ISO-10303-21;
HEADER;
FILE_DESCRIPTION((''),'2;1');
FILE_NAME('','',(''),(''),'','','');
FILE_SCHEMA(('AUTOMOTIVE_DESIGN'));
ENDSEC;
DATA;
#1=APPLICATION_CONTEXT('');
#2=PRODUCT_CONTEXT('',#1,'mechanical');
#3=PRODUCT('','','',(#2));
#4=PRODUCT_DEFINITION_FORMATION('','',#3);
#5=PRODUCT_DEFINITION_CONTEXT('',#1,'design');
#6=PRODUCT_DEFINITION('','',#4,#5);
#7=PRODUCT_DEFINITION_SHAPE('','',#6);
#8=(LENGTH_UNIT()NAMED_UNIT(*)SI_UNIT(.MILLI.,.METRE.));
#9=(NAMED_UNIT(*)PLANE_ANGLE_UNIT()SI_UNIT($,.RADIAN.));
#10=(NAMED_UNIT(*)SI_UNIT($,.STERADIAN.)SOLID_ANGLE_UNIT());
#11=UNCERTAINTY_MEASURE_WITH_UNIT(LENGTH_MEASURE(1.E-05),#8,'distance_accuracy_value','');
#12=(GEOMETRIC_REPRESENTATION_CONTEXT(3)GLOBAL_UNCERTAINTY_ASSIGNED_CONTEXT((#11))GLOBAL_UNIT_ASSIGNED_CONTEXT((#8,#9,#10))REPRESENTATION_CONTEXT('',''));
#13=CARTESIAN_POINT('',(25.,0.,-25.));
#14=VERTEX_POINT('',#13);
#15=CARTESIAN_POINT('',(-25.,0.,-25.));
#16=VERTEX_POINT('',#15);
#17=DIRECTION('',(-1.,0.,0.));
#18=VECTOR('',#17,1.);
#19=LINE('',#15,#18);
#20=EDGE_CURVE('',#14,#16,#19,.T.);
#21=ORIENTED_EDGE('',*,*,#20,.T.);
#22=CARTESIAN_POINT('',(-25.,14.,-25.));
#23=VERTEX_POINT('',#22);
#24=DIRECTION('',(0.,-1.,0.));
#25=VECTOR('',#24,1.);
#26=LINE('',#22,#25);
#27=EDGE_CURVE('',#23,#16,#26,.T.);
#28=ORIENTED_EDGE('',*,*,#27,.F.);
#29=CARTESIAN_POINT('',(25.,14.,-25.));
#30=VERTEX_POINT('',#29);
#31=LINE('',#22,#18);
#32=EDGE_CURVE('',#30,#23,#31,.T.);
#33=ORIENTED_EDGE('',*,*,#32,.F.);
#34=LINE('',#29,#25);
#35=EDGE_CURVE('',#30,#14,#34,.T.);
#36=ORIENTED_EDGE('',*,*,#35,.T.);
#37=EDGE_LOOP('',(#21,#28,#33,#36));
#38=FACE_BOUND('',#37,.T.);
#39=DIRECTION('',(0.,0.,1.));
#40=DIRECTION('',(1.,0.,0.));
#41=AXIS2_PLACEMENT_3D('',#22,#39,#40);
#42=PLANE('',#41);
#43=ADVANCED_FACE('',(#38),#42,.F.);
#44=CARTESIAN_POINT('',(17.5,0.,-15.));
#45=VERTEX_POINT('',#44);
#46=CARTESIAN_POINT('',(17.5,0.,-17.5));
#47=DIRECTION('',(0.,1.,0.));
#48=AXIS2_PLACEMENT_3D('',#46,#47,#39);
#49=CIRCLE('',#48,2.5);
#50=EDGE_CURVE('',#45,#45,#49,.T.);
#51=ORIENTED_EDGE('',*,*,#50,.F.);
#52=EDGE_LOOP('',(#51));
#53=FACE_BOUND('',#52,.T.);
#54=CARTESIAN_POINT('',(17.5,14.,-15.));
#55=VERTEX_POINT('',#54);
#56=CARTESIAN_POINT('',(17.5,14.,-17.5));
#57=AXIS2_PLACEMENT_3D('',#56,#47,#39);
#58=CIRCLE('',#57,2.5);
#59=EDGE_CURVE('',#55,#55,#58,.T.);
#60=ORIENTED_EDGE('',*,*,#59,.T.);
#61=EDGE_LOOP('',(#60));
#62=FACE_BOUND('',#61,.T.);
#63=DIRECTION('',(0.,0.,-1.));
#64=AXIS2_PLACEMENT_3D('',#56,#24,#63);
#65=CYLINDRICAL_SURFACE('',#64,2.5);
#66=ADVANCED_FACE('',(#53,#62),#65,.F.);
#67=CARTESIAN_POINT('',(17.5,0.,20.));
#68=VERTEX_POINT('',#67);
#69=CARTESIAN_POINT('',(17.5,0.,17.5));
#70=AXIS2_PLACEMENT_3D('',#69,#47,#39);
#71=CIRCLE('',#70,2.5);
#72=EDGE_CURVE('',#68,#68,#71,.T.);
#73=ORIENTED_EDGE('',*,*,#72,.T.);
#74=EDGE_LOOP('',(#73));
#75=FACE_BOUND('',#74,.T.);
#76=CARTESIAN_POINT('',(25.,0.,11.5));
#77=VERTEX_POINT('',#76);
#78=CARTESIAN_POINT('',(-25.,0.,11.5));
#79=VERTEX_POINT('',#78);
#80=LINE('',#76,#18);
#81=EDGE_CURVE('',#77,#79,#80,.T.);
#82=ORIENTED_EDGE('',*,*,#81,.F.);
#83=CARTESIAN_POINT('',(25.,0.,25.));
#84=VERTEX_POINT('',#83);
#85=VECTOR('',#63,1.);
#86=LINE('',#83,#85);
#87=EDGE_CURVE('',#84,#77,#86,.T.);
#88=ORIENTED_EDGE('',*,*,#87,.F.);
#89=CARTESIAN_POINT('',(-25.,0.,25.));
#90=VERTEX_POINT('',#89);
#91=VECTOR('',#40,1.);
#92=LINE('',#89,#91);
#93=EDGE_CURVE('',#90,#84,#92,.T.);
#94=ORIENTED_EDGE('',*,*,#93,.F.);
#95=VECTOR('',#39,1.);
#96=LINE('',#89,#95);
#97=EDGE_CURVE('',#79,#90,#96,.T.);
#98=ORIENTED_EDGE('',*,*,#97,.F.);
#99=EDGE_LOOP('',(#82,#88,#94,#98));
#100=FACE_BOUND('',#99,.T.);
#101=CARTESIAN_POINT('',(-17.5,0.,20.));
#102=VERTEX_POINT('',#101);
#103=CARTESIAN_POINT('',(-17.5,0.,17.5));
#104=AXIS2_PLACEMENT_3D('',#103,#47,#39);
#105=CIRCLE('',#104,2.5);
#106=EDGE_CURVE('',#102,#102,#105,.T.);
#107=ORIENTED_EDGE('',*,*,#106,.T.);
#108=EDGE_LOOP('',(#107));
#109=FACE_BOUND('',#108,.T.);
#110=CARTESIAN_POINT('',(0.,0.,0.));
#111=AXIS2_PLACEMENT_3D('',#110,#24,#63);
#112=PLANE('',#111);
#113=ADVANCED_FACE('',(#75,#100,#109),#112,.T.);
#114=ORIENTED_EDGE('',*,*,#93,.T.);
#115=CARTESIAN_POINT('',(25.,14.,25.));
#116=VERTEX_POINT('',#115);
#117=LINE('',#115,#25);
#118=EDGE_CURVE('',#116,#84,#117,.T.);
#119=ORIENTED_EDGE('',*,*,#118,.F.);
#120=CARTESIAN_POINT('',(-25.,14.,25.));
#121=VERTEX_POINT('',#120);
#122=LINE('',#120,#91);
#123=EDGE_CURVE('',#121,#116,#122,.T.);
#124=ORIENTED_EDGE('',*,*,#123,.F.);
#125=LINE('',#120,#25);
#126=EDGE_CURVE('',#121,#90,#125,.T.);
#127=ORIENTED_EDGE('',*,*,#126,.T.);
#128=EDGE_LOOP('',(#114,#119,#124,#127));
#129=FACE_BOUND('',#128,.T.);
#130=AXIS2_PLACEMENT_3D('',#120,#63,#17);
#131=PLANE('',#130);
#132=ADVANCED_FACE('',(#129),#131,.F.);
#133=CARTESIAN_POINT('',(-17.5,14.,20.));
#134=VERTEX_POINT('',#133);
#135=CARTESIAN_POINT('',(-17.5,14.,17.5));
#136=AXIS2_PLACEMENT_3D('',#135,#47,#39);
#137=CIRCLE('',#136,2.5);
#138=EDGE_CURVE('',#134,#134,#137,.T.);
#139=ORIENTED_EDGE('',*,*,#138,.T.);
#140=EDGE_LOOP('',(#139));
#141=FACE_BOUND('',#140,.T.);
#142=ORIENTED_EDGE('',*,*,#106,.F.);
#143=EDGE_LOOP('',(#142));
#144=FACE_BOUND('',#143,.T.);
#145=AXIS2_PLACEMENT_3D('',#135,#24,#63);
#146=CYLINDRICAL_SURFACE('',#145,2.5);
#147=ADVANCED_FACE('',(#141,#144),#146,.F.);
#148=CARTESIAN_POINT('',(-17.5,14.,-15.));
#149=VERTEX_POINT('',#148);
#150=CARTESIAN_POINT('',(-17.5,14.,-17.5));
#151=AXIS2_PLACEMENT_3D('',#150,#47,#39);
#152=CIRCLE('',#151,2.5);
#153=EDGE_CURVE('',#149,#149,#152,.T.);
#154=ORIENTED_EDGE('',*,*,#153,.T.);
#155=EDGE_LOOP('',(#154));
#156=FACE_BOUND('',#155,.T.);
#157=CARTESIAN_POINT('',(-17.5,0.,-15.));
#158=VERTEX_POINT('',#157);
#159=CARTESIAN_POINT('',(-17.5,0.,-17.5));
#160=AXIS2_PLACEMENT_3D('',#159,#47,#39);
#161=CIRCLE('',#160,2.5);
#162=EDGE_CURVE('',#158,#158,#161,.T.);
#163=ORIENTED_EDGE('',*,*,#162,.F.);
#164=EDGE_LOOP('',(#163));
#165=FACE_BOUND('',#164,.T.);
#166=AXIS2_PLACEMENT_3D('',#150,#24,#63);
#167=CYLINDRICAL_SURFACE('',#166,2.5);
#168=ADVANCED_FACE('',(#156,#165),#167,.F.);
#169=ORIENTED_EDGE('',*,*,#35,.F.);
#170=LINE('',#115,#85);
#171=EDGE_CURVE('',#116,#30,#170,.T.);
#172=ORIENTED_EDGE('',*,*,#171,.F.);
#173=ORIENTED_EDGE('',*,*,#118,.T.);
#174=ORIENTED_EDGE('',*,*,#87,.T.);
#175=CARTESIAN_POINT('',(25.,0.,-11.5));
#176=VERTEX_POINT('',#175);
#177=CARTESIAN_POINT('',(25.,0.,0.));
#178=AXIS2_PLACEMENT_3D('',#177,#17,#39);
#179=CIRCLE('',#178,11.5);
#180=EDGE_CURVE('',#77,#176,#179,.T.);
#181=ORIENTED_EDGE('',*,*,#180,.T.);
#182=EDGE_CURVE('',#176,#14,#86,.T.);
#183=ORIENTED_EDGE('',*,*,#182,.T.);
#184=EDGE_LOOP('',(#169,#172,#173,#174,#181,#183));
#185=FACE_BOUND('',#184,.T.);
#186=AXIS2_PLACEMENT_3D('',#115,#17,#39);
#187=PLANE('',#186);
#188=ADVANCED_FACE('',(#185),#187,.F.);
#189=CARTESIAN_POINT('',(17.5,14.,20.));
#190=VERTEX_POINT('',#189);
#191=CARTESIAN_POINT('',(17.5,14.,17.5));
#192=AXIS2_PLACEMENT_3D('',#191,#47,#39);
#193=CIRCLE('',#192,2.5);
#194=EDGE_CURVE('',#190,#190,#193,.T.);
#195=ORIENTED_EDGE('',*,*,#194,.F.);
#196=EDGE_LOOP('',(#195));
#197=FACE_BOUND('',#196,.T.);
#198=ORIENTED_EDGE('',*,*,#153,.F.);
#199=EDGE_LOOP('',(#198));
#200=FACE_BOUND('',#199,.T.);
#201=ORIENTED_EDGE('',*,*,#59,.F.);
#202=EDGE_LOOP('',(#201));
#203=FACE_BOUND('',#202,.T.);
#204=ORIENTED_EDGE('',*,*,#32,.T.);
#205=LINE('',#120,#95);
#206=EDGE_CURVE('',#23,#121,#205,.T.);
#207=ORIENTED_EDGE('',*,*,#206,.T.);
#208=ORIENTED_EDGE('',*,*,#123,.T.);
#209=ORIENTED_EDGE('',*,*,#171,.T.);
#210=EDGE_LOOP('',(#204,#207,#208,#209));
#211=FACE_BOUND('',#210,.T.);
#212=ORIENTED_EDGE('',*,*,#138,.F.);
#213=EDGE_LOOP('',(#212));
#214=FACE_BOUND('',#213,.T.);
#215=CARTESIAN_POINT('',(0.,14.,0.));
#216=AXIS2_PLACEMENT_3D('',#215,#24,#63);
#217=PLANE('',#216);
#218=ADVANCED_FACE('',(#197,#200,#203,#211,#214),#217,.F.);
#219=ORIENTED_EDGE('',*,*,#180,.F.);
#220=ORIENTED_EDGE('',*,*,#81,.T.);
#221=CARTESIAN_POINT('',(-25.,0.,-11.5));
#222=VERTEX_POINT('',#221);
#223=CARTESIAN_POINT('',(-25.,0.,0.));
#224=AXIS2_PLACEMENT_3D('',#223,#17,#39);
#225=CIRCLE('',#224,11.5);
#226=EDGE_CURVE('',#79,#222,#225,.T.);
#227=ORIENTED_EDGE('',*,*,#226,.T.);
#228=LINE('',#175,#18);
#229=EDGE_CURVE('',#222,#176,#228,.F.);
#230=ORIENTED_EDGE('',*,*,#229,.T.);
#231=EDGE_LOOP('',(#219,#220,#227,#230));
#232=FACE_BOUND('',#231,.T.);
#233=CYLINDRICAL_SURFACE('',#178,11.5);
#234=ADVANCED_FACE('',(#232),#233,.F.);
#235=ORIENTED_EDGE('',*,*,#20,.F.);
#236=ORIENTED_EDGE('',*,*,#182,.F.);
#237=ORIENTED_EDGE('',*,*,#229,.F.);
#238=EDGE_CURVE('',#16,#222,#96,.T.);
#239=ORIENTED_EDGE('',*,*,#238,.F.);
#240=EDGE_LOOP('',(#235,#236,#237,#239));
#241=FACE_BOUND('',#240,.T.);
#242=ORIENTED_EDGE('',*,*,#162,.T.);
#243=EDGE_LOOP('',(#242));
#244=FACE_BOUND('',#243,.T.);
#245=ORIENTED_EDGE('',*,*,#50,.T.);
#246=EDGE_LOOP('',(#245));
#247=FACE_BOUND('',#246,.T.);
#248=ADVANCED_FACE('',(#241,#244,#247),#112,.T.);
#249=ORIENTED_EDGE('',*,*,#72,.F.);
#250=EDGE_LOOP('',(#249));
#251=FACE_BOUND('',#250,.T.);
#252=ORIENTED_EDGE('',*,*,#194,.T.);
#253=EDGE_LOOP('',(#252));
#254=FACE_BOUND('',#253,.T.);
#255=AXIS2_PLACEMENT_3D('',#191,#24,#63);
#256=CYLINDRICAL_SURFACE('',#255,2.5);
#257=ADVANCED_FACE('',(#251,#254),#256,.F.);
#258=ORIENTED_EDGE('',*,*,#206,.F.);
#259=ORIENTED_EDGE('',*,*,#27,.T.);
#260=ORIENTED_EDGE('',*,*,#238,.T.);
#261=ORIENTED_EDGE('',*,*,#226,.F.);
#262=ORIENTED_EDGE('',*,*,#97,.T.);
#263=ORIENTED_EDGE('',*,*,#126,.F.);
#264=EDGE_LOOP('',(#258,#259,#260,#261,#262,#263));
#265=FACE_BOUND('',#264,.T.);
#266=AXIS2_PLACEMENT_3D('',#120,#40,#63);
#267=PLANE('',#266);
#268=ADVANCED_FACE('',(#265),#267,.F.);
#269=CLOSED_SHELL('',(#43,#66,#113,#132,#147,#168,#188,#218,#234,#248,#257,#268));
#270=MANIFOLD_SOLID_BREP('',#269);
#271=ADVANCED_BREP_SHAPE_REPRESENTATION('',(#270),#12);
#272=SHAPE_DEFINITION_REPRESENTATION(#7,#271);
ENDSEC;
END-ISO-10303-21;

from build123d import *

# Parameters (mm, degrees)
SKETCH_1_W          = 50
SKETCH_1_H          = 50
SKETCH_1_R          = 2.5
EXTRUDE_1_DEPTH     = 14
SKETCH_2_R          = 11.5
CUT_EXTRUDE_1_DEPTH = 58.628118137


with BuildPart() as part:
    # 草图1 → 凸台-拉伸1 (new body)
    with BuildSketch(Plane(origin=(0, 0, 0), x_dir=(1, 0, 0), z_dir=(0, 1, 0))):
        Rectangle(SKETCH_1_W, SKETCH_1_H)
        with Locations(Location((-17.5, 17.5, 0), (0, 0, 270))):
            Circle(SKETCH_1_R, mode=Mode.SUBTRACT)
        with Locations(Location((-17.5, -17.5, 0), (0, 0, 270))):
            Circle(SKETCH_1_R, mode=Mode.SUBTRACT)
        with Locations(Location((17.5, 17.5, 0), (0, 0, 270))):
            Circle(SKETCH_1_R, mode=Mode.SUBTRACT)
        with Locations(Location((17.5, -17.5, 0), (0, 0, 270))):
            Circle(SKETCH_1_R, mode=Mode.SUBTRACT)
    extrude(amount=EXTRUDE_1_DEPTH)

    # 草图2 → 切除-拉伸1 (cut, through all)
    with BuildSketch(Plane.ZY.offset(25)):
        Circle(SKETCH_2_R)
    extrude(amount=-CUT_EXTRUDE_1_DEPTH, mode=Mode.SUBTRACT)


solid = part.part
